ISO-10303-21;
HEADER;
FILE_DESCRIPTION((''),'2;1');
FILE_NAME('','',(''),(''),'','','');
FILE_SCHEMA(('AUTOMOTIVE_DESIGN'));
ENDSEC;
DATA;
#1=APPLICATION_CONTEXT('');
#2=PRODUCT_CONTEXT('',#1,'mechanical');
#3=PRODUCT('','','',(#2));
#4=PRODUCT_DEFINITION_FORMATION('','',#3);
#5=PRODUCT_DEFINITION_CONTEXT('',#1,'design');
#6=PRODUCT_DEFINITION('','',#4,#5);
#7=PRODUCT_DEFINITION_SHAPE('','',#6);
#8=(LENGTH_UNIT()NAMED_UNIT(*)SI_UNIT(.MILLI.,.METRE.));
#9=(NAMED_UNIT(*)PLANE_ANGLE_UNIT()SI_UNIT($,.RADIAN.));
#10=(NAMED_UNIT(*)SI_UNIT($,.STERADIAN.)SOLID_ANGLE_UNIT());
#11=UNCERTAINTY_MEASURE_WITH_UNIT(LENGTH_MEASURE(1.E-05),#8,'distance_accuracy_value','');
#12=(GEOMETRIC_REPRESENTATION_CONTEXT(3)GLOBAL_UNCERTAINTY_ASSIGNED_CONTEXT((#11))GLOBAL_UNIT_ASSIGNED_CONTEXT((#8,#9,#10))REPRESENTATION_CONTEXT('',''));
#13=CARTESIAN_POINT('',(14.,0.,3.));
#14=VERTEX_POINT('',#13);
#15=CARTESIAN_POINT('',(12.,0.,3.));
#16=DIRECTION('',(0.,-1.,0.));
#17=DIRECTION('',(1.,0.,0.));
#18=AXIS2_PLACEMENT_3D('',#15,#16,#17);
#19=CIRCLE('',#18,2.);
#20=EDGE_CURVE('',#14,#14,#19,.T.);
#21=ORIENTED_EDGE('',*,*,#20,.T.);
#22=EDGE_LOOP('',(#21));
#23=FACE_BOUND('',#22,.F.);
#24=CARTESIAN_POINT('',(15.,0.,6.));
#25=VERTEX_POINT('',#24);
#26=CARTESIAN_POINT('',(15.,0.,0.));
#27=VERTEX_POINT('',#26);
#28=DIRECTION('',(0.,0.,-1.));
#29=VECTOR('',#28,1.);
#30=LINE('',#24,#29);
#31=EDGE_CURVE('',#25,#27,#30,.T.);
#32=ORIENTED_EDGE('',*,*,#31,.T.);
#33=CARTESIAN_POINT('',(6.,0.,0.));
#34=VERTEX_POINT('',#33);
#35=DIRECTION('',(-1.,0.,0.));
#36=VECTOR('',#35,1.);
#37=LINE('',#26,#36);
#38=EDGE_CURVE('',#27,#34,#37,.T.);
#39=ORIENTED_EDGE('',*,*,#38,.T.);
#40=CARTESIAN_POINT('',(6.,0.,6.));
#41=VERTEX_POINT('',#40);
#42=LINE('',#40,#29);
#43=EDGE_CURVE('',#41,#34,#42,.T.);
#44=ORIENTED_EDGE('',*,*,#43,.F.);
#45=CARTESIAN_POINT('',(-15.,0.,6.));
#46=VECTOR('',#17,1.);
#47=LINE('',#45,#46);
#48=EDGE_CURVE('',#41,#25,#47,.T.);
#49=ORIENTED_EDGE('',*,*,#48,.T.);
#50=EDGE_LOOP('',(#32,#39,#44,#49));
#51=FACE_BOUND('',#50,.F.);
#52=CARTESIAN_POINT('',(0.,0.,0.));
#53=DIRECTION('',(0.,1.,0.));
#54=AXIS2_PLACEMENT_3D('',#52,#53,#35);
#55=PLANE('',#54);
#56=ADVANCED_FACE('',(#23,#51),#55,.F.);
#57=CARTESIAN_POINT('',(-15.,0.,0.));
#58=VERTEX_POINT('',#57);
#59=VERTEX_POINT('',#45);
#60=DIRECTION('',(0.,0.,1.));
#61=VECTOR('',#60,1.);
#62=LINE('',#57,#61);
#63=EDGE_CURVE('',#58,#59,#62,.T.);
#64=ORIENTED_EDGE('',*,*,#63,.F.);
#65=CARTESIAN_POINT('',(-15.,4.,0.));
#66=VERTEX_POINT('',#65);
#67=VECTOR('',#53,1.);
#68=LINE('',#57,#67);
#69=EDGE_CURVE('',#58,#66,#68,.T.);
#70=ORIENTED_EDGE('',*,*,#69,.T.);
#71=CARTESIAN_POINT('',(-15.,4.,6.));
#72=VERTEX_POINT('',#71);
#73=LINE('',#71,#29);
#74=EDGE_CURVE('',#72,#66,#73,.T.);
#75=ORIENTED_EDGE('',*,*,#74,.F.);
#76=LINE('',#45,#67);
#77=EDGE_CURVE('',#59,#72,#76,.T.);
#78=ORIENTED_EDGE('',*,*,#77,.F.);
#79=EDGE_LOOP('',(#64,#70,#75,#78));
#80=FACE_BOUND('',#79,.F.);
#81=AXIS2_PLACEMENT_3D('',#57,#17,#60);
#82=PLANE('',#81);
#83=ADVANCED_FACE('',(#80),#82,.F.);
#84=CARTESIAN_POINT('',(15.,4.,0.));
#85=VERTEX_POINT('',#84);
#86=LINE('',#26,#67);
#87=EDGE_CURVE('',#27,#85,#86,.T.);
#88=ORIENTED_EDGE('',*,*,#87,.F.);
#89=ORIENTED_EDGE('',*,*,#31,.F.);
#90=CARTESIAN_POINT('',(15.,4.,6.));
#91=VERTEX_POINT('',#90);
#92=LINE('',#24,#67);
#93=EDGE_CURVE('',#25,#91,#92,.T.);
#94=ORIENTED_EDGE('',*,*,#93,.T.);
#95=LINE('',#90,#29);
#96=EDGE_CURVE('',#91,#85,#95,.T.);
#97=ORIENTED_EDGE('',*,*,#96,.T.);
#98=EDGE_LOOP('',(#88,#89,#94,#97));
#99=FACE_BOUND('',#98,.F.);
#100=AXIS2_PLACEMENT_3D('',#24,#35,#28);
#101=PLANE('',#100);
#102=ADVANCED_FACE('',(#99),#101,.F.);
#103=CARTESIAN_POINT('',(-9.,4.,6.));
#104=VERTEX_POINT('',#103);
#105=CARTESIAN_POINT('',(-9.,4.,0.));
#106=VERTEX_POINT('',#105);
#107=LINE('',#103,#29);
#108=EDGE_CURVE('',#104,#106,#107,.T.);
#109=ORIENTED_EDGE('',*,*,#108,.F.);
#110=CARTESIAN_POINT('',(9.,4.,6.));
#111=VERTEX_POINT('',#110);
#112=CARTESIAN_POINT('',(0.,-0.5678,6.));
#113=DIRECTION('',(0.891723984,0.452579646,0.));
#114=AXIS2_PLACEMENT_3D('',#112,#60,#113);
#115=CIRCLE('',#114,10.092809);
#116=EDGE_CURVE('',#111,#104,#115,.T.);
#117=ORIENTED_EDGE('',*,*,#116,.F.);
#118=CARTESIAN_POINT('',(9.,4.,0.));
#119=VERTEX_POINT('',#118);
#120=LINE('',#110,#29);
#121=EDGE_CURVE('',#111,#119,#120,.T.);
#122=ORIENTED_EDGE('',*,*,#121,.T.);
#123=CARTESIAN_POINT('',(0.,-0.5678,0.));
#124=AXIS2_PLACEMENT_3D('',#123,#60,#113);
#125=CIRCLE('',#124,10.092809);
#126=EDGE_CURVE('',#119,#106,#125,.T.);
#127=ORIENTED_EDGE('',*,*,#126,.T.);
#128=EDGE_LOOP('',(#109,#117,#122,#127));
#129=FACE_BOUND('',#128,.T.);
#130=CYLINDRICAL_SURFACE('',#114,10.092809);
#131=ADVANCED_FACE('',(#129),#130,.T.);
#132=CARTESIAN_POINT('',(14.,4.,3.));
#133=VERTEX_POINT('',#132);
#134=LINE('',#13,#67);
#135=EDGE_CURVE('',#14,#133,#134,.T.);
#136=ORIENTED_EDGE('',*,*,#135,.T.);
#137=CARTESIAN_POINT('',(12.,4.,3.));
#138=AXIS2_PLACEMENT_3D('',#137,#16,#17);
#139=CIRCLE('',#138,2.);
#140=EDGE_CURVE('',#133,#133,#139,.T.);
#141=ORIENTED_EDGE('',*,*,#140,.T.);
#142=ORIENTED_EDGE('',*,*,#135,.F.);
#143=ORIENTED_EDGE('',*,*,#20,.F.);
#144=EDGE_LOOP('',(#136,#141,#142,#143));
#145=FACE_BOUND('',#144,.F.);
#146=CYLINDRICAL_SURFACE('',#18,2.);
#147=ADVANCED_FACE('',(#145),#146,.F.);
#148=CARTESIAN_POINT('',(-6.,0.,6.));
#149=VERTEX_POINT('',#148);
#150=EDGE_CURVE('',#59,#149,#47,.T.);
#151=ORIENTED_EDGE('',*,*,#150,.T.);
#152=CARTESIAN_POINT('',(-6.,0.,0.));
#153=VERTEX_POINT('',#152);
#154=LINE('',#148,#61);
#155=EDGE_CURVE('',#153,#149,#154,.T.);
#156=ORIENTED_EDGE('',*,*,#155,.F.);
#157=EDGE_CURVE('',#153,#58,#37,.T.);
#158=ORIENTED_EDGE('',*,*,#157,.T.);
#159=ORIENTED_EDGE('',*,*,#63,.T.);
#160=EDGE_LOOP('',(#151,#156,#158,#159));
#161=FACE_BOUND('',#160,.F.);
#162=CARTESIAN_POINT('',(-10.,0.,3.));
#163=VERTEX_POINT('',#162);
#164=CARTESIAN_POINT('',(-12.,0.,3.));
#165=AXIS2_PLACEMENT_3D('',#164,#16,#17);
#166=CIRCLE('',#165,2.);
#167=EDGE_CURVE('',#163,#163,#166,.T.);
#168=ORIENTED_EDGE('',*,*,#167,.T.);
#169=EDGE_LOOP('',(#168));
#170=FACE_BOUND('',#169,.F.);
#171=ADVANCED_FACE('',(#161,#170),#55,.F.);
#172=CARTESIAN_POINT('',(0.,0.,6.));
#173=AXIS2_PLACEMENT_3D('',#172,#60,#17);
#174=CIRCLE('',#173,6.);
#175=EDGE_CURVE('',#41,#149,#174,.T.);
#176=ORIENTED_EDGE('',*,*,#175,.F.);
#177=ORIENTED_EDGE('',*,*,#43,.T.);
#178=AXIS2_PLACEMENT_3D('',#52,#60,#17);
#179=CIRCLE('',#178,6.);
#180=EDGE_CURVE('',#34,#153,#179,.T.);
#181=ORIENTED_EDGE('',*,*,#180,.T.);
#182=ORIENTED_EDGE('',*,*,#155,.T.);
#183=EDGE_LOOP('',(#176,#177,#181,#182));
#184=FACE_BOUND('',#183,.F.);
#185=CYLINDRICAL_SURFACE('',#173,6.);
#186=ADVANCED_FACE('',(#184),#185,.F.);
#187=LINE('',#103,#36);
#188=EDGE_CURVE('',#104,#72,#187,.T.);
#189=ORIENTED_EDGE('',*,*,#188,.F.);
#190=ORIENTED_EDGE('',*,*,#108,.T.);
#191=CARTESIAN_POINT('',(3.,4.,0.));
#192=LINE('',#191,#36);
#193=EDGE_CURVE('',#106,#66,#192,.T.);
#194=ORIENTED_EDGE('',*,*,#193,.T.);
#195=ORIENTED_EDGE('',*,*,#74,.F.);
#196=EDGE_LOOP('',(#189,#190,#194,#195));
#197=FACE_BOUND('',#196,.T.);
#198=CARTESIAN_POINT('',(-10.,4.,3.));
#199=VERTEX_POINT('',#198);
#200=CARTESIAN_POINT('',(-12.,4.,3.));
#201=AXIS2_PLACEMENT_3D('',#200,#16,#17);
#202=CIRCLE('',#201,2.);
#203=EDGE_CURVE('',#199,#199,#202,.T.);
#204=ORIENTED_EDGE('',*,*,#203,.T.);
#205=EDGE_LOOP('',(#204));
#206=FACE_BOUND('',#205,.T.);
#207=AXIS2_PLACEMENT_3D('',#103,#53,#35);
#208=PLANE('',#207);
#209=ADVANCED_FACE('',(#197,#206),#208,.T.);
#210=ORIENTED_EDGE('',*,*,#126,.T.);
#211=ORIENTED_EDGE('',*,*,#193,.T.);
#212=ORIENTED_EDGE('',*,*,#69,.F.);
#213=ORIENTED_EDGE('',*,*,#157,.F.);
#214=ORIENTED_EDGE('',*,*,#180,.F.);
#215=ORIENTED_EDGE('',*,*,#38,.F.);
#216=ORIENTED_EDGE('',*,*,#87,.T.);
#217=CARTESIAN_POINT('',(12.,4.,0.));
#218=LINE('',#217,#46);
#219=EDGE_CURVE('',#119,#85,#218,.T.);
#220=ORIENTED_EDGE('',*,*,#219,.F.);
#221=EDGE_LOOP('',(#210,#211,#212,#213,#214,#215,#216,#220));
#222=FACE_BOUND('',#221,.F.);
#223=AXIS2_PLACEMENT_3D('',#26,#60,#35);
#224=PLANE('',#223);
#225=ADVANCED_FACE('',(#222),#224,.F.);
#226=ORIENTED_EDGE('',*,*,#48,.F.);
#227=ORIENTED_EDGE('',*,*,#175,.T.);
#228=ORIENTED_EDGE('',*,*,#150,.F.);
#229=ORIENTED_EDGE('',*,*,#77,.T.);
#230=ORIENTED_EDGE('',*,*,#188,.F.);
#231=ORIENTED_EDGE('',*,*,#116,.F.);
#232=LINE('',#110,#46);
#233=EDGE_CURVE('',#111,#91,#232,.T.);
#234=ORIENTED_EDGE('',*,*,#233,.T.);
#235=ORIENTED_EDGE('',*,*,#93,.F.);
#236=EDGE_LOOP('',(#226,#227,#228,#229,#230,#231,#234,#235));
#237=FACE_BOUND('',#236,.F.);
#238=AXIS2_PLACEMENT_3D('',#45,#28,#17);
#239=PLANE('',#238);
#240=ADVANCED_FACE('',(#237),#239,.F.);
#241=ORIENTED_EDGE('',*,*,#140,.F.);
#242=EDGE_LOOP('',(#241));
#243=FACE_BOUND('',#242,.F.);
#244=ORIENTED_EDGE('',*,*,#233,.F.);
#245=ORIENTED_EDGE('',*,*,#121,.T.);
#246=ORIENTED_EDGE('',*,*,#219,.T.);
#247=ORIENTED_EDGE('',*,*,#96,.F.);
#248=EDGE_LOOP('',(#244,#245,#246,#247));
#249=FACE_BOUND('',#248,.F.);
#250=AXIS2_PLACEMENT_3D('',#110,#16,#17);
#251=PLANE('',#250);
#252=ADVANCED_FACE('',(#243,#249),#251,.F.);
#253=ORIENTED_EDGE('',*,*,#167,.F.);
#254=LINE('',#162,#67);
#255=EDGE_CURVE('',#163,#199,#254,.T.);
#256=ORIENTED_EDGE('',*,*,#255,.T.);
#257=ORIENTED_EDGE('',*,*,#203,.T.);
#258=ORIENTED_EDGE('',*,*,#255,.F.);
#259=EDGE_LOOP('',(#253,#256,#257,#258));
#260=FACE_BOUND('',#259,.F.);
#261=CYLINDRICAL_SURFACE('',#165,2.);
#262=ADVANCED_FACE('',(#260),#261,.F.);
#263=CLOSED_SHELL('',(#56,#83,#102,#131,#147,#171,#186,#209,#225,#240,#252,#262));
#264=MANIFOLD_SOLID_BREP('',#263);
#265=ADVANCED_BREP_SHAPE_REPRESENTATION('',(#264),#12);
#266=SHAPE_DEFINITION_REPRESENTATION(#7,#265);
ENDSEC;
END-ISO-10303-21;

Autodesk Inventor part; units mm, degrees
ref_plane "YZ Plane" through (0, 0, 0) normal (1, 0, 0) x (0, 1, 0)
ref_plane "XZ Plane" through (0, 0, 0) normal (0, 1, 0) x (-1, 0, 0)
ref_plane "XY Plane" through (0, 0, 0) normal (0, 0, 1) x (1, 0, 0)
sketch "Sketch1" plane through (0, 0, 0) normal (0, 1, 0) x (-1, 0, 0)
  line L0 (15, 6) -> (-15, 6)
  line L1 (-15, 6) -> (-15, 0)
  line L2 (-15, 0) -> (15, 0)
  line L3 (15, 0) -> (15, 6)
  point P0 (0, 0)
  dimension "d0" = 30
extrude "Extrusion1" add sketch "Sketch1" along normal blind 10
sketch "Sketch2" plane through (-15, 0, 6) normal (0, 0, 1) x (1, 0, 0)
  circle A0 centre (15, 0) radius 6
  line L0 (30, 10) -> (0, 10) projected
  line L1 (30, 10) -> (24, 10)
  line L2 (24, 10) -> (24, 4)
  line L3 (24, 4) -> (30, 4)
  line L4 (30, 4) -> (30, 10)
  line L5 (0, 0) -> (0, 10) projected
  line L6 (0, 10) -> (6, 10)
  line L7 (6, 10) -> (6, 4)
  line L8 (6, 4) -> (0, 4)
  line L9 (0, 4) -> (0, 10)
  arc A1 (24, 4) -> (6, 4) centre (15, -0.5678) ccw
  line L10 (6, 10) -> (24, 10)
  dimension "d3" = 12
  dimension "d4" = 6
  dimension "d5" = 6
  dimension "d6" = 6
extrude "Extrusion2" cut sketch "Sketch2" against normal blind 10
sketch "Sketch3" plane through (0, 0, 0) normal (0, -1, 0) x (1, 0, 0)
  circle A0 centre (-12, 3) radius 2
  circle A1 centre (12, 3) radius 2
  point P0 (0, 0)
  dimension "d9" = 4
  dimension "d10" = 4
extrude "Extrusion3" cut sketch "Sketch3" against normal blind 10
properties part number "printHeadMount"
